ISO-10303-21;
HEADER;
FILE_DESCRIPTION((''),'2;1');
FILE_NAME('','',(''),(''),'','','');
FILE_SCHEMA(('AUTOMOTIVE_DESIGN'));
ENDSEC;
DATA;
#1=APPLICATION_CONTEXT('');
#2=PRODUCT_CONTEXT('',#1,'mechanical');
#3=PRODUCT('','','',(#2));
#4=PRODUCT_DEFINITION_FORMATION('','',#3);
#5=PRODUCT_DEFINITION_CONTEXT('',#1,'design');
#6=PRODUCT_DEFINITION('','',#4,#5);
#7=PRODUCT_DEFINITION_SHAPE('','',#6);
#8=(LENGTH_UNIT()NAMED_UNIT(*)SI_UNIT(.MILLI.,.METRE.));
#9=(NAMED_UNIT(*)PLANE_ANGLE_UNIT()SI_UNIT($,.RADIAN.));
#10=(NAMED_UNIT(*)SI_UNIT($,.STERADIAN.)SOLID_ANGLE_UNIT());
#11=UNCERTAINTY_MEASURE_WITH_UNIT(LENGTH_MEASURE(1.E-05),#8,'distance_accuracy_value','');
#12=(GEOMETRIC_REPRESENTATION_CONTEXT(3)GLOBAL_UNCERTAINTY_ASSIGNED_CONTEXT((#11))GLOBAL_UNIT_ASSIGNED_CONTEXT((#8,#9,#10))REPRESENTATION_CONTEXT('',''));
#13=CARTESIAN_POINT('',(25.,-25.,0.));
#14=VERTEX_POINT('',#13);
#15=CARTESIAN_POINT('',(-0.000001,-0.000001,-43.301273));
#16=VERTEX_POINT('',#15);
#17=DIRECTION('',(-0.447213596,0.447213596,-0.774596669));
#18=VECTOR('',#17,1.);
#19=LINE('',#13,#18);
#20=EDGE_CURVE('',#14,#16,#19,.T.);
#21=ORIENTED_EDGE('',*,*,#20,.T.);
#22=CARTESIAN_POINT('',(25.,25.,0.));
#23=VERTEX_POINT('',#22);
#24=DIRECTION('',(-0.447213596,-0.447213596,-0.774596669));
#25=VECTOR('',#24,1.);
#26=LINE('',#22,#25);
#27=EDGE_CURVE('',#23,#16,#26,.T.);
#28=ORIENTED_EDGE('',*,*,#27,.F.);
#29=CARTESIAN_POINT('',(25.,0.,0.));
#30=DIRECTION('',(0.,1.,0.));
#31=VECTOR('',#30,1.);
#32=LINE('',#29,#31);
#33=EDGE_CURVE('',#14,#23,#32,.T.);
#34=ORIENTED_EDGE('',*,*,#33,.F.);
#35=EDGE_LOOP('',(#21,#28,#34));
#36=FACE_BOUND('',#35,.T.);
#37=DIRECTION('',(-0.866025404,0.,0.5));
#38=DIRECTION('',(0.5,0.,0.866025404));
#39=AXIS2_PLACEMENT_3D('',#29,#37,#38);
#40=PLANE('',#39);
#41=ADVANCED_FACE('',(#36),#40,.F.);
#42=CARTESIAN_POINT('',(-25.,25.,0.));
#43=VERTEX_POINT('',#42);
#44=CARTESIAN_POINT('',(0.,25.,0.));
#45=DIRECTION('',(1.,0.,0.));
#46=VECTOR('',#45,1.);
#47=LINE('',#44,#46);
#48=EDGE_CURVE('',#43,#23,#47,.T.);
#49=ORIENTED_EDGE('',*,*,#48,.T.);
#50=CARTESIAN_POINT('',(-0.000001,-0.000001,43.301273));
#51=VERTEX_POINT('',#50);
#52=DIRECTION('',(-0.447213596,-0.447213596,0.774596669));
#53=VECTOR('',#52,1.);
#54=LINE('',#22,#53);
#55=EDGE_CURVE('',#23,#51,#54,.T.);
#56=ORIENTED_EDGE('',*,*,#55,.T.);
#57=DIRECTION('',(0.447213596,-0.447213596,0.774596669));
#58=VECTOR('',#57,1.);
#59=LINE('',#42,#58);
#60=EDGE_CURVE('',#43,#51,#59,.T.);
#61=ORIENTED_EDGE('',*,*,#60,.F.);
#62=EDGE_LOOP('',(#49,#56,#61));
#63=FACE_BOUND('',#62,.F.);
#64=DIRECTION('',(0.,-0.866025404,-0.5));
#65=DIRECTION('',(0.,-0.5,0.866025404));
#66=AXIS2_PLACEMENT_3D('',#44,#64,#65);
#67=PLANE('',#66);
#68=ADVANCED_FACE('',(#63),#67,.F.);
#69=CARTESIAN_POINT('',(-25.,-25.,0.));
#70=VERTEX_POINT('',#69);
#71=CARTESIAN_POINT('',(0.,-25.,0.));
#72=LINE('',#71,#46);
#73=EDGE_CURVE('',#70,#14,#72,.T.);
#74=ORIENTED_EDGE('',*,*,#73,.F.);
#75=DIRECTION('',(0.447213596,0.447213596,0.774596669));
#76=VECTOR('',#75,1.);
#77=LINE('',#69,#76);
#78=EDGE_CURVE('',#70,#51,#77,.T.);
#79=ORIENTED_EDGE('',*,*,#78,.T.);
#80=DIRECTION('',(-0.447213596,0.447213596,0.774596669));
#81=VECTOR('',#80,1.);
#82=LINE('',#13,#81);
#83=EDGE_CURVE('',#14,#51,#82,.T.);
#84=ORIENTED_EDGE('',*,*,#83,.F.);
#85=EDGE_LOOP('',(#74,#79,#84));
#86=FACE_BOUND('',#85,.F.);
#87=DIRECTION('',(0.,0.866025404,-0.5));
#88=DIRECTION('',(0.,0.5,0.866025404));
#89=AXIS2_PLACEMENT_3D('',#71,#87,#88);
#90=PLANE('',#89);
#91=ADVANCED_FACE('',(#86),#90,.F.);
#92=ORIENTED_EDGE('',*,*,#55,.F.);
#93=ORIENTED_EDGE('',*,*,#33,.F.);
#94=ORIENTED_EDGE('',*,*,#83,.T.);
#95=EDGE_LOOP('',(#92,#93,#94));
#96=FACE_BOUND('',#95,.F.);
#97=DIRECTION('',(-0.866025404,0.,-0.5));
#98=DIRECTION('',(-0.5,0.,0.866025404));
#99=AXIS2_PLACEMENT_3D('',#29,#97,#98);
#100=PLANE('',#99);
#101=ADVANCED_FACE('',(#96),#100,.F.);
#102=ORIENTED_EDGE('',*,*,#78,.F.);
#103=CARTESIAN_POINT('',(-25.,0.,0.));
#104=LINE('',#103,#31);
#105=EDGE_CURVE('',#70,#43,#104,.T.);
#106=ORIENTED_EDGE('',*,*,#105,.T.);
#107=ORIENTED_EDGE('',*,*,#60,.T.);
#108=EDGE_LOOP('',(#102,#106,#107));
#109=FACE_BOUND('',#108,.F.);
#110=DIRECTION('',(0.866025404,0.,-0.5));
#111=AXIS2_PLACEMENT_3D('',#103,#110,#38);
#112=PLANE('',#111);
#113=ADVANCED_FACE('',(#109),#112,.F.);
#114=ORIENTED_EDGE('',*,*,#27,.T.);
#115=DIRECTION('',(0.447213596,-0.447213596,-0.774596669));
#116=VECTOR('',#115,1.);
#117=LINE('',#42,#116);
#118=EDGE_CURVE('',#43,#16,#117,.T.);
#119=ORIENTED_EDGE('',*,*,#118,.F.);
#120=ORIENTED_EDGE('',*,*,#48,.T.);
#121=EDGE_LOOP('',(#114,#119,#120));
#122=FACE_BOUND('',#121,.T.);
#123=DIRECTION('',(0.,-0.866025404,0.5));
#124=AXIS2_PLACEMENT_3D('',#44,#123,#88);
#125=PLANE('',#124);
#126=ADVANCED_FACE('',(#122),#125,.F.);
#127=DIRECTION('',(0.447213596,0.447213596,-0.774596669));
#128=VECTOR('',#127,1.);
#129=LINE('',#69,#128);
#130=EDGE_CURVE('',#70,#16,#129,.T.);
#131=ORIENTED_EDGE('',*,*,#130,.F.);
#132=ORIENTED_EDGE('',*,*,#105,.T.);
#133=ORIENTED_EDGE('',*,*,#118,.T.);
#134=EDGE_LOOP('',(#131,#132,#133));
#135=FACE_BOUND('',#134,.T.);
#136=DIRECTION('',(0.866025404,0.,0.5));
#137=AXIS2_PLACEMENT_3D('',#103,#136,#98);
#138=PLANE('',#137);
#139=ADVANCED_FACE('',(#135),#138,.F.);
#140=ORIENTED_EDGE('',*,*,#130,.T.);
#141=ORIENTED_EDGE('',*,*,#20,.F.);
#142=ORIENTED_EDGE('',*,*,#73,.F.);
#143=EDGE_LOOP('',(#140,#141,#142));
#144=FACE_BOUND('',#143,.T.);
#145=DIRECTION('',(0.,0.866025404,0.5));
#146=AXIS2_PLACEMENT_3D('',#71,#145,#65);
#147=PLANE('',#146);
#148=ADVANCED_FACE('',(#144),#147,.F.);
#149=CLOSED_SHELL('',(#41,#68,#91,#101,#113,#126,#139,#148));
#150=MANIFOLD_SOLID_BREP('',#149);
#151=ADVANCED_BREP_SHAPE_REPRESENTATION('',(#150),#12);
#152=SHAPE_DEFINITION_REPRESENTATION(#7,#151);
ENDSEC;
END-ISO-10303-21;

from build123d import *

# Parameters (mm, degrees)
F0_W     = 50
F0_H     = 50
F1_DEPTH = 50
F1_TAPER = 30


with BuildPart() as f1:
    # F0 (on Top) → F1 (new body)
    with BuildSketch(Plane.XY):
        Rectangle(F0_W, F0_H)
    extrude(amount=F1_DEPTH, taper=F1_TAPER)

    # F2: F1 across plane


with BuildPart() as f1_1:
    add(f1.part)
    add(f1.part.mirror(Plane.XY))


solid = f1_1.part
